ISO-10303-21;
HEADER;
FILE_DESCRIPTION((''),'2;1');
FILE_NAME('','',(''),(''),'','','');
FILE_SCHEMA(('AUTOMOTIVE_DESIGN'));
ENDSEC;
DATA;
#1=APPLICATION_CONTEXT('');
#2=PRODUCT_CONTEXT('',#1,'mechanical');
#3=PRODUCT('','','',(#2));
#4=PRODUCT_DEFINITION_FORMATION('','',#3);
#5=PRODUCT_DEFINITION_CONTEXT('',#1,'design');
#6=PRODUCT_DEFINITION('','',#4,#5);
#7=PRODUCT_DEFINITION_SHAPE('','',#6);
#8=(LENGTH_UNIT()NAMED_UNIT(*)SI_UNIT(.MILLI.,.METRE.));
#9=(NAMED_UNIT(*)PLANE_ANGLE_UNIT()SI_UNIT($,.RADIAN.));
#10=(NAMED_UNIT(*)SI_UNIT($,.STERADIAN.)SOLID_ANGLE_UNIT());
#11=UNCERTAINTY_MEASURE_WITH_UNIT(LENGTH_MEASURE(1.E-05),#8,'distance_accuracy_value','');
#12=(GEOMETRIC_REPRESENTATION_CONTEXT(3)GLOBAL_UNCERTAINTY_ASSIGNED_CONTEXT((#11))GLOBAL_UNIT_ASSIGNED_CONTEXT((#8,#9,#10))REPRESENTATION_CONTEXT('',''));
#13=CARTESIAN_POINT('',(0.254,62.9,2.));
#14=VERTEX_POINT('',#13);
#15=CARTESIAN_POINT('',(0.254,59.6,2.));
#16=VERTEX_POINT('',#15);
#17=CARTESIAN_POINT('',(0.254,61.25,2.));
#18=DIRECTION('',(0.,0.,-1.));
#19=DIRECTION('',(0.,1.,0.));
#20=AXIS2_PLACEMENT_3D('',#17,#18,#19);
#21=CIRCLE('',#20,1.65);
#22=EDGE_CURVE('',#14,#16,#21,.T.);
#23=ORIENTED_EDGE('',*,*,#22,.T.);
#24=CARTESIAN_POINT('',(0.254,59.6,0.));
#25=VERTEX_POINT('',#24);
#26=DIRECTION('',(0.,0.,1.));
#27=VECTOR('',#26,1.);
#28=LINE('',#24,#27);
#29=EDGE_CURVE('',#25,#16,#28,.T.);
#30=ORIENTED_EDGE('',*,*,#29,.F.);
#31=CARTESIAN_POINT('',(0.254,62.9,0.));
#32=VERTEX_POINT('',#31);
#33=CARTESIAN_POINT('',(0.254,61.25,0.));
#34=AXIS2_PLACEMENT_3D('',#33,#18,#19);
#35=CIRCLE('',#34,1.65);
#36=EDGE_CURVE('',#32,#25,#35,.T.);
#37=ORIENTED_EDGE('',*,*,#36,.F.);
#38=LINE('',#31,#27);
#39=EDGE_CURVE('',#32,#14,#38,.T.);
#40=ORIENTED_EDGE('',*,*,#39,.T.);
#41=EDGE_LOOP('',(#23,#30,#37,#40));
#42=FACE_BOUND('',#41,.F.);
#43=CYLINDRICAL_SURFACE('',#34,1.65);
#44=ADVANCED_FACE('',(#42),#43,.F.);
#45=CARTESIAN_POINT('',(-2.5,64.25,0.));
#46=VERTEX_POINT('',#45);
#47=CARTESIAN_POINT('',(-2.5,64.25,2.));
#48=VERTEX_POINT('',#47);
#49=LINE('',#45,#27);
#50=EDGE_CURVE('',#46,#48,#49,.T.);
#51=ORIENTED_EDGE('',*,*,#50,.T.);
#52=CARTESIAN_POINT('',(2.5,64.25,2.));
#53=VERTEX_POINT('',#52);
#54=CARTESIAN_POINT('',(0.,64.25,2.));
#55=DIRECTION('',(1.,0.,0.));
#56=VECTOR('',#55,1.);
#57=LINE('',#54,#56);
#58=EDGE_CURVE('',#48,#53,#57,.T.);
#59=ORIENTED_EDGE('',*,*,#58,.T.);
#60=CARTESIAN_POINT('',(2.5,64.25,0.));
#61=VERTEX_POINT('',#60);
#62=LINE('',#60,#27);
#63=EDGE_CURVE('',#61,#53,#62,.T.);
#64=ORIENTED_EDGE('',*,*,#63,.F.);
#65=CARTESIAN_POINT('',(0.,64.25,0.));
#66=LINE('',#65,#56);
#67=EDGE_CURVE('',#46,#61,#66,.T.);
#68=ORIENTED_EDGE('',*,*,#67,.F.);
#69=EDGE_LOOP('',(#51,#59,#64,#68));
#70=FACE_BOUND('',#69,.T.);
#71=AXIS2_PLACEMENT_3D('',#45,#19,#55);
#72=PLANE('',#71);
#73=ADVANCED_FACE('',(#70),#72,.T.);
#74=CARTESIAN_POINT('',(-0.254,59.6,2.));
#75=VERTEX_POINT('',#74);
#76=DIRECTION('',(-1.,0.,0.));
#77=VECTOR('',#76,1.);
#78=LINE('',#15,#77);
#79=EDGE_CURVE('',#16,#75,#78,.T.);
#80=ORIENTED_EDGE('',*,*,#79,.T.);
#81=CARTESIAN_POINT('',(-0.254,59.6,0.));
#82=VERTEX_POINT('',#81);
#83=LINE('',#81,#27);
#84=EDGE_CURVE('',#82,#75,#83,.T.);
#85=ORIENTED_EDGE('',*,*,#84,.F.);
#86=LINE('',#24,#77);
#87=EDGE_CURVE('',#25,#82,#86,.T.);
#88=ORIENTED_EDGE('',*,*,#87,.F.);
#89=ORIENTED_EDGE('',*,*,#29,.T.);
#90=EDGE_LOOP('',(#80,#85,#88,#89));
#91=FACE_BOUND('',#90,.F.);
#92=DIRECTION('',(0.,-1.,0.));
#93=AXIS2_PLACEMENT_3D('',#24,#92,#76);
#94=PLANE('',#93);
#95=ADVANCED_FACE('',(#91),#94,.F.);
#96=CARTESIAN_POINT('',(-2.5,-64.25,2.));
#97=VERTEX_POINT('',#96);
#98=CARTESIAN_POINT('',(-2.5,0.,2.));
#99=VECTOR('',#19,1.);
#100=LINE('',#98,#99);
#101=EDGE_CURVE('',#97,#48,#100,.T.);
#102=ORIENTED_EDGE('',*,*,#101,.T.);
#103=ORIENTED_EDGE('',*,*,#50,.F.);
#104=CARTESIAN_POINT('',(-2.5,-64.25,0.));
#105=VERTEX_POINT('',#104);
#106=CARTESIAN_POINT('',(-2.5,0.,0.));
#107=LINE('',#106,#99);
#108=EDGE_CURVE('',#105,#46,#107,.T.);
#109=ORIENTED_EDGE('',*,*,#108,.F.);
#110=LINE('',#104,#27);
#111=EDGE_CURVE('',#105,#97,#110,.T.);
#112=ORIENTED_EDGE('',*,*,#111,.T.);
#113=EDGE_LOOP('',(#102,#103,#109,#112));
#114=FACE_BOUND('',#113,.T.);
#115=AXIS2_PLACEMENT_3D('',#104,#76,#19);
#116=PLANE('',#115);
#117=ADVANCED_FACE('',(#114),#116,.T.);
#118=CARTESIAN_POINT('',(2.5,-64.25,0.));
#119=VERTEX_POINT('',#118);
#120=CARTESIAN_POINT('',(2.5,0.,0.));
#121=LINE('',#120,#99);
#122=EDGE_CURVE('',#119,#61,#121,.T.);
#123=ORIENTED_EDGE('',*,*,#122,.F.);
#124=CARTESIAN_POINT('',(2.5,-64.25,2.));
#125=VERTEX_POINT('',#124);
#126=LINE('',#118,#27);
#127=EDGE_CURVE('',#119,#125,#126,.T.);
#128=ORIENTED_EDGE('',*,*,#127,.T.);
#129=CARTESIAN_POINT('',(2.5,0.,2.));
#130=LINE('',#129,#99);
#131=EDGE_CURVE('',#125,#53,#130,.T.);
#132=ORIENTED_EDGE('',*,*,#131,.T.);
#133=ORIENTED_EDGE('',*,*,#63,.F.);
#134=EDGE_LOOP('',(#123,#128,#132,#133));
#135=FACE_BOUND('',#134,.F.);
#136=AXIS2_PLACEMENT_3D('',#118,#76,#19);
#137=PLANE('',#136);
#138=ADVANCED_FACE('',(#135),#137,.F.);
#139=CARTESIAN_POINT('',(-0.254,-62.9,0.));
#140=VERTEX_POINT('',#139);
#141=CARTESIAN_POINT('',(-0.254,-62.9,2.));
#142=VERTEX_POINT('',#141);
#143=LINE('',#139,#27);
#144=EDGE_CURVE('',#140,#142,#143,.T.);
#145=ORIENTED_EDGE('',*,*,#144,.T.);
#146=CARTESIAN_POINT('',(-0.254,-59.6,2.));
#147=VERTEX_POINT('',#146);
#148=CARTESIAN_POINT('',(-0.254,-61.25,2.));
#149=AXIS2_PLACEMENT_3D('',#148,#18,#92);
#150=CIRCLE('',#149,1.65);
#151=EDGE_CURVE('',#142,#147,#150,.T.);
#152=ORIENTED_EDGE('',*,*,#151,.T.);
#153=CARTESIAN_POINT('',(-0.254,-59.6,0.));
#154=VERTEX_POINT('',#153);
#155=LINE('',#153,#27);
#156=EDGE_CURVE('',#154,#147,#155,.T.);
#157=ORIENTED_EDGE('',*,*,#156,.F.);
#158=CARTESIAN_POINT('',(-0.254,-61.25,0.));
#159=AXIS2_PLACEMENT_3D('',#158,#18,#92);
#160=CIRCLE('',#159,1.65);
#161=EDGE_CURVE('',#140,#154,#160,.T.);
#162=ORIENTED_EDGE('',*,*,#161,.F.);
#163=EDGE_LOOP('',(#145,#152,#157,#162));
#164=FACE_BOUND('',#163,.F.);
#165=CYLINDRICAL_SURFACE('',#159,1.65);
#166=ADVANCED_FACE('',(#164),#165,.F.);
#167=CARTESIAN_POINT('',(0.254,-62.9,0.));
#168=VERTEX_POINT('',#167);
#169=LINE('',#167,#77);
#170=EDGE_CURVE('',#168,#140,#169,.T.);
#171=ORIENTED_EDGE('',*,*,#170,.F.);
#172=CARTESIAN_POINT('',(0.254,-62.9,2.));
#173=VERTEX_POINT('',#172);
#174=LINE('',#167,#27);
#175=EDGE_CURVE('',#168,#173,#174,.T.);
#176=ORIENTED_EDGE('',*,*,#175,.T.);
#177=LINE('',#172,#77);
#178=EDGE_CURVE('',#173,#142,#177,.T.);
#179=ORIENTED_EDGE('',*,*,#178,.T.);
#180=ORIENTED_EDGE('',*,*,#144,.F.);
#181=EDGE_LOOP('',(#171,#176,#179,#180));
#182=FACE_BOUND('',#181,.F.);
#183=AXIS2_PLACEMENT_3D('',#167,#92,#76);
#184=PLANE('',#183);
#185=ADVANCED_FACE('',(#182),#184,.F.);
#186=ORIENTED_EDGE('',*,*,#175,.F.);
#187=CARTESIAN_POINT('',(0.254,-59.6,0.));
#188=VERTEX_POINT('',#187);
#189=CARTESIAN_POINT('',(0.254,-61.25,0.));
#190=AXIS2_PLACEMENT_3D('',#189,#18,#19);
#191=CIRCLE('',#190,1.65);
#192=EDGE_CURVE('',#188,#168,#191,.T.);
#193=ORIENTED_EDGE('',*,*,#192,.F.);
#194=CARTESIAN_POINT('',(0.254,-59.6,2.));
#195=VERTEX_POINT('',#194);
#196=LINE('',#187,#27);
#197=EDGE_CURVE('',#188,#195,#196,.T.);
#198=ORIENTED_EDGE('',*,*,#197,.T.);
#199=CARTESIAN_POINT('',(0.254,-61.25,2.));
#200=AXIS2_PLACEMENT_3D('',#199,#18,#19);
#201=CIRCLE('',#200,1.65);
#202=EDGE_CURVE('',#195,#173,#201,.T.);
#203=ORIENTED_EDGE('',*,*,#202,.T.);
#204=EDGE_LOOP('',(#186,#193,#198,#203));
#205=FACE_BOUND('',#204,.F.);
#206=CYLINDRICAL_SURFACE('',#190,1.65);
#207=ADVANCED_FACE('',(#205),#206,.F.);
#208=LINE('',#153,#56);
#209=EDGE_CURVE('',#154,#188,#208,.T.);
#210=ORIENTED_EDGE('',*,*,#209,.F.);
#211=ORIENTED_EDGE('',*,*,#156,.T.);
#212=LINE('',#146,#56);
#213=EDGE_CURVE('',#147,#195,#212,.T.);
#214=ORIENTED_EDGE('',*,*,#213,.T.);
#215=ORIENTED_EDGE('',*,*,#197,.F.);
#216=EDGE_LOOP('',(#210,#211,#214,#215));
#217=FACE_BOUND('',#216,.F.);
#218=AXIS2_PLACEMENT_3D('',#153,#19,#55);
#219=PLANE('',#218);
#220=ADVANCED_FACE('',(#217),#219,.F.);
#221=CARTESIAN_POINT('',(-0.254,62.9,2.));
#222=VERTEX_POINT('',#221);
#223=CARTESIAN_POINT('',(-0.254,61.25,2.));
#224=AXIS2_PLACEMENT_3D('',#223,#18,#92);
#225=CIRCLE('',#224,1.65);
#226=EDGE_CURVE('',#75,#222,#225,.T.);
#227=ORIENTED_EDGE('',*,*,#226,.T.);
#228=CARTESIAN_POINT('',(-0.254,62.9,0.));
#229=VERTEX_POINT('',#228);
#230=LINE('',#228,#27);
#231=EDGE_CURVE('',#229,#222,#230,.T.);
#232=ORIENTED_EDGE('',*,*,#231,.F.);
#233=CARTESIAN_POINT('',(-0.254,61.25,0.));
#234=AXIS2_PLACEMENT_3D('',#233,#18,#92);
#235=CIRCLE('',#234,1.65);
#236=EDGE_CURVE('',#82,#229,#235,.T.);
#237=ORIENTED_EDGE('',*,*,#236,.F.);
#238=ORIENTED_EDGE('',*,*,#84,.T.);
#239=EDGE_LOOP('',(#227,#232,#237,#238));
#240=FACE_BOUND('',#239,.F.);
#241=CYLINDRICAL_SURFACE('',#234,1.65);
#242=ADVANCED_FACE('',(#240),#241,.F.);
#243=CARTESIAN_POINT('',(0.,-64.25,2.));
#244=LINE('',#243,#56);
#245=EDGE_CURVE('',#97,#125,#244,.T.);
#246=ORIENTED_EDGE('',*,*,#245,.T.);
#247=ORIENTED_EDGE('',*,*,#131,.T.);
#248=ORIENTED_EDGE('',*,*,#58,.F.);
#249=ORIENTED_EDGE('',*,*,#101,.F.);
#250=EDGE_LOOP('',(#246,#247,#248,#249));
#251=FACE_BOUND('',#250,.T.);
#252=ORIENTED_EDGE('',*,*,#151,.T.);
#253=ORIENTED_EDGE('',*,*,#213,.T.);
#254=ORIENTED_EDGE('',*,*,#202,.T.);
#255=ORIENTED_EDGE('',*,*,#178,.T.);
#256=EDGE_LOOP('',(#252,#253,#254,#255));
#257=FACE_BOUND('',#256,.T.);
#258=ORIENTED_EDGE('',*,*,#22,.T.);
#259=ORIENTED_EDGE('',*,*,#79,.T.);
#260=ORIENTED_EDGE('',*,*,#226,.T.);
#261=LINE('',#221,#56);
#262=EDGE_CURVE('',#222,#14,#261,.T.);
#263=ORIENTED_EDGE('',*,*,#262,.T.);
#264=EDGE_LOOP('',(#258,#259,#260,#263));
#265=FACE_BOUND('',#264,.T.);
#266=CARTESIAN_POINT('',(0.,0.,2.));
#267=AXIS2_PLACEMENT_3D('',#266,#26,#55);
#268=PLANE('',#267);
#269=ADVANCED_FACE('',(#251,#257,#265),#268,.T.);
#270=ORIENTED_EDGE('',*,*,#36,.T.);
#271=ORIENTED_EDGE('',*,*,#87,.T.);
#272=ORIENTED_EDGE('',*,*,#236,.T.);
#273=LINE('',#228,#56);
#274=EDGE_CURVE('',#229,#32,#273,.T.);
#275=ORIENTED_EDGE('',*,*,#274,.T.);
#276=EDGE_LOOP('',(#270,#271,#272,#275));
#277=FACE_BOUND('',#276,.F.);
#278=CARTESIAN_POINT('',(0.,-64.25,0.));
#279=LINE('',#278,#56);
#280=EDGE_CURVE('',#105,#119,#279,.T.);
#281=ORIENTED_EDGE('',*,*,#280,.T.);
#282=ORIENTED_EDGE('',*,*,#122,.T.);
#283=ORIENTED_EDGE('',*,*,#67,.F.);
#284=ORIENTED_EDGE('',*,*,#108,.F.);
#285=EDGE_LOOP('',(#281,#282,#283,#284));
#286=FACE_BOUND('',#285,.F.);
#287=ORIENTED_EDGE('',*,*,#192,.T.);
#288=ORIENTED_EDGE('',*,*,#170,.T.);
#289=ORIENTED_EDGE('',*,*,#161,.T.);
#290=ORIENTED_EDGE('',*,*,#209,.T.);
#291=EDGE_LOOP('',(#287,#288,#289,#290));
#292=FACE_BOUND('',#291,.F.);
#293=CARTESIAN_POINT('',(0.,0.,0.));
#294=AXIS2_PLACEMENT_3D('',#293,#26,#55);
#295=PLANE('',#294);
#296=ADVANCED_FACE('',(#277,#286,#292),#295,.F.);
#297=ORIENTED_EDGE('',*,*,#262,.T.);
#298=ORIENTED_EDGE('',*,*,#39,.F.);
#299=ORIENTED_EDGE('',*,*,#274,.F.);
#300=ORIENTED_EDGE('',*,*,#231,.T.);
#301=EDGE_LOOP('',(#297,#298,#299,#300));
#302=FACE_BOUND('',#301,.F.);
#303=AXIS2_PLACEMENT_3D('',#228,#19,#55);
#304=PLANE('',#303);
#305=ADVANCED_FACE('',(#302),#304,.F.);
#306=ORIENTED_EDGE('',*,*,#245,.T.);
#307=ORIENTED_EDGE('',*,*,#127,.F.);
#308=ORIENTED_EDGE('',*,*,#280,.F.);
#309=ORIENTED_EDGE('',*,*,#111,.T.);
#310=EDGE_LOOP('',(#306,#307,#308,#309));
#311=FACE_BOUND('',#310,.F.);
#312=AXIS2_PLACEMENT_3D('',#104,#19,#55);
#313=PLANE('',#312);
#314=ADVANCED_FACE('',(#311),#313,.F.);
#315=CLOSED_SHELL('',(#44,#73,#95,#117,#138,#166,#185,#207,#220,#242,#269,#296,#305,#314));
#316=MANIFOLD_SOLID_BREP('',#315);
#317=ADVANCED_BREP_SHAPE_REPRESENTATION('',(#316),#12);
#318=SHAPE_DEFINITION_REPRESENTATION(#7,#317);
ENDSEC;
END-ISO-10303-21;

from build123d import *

# Parameters (mm, degrees)
SKETCH1_W           = 5
SKETCH1_H           = 128.5
BOSS_EXTRUDE1_DEPTH = 2


with BuildPart() as part:
    # Sketch1 → Boss-Extrude1 (new body)
    with BuildSketch(Plane.XY):
        Rectangle(SKETCH1_W, SKETCH1_H)
        with BuildLine():
            Line((-0.254, -59.6), (0.254, -59.6))
            ThreePointArc((0.254, -59.6), (1.904, -61.25), (0.254, -62.9))
            Line((0.254, -62.9), (-0.254, -62.9))
            ThreePointArc((-0.254, -62.9), (-1.904, -61.25), (-0.254, -59.6))
        make_face(mode=Mode.SUBTRACT)
        with BuildLine():
            Line((-0.254, 62.9), (0.254, 62.9))
            ThreePointArc((0.254, 62.9), (1.904, 61.25), (0.254, 59.6))
            Line((0.254, 59.6), (-0.254, 59.6))
            ThreePointArc((-0.254, 59.6), (-1.904, 61.25), (-0.254, 62.9))
        make_face(mode=Mode.SUBTRACT)
    extrude(amount=BOSS_EXTRUDE1_DEPTH)


solid = part.part
